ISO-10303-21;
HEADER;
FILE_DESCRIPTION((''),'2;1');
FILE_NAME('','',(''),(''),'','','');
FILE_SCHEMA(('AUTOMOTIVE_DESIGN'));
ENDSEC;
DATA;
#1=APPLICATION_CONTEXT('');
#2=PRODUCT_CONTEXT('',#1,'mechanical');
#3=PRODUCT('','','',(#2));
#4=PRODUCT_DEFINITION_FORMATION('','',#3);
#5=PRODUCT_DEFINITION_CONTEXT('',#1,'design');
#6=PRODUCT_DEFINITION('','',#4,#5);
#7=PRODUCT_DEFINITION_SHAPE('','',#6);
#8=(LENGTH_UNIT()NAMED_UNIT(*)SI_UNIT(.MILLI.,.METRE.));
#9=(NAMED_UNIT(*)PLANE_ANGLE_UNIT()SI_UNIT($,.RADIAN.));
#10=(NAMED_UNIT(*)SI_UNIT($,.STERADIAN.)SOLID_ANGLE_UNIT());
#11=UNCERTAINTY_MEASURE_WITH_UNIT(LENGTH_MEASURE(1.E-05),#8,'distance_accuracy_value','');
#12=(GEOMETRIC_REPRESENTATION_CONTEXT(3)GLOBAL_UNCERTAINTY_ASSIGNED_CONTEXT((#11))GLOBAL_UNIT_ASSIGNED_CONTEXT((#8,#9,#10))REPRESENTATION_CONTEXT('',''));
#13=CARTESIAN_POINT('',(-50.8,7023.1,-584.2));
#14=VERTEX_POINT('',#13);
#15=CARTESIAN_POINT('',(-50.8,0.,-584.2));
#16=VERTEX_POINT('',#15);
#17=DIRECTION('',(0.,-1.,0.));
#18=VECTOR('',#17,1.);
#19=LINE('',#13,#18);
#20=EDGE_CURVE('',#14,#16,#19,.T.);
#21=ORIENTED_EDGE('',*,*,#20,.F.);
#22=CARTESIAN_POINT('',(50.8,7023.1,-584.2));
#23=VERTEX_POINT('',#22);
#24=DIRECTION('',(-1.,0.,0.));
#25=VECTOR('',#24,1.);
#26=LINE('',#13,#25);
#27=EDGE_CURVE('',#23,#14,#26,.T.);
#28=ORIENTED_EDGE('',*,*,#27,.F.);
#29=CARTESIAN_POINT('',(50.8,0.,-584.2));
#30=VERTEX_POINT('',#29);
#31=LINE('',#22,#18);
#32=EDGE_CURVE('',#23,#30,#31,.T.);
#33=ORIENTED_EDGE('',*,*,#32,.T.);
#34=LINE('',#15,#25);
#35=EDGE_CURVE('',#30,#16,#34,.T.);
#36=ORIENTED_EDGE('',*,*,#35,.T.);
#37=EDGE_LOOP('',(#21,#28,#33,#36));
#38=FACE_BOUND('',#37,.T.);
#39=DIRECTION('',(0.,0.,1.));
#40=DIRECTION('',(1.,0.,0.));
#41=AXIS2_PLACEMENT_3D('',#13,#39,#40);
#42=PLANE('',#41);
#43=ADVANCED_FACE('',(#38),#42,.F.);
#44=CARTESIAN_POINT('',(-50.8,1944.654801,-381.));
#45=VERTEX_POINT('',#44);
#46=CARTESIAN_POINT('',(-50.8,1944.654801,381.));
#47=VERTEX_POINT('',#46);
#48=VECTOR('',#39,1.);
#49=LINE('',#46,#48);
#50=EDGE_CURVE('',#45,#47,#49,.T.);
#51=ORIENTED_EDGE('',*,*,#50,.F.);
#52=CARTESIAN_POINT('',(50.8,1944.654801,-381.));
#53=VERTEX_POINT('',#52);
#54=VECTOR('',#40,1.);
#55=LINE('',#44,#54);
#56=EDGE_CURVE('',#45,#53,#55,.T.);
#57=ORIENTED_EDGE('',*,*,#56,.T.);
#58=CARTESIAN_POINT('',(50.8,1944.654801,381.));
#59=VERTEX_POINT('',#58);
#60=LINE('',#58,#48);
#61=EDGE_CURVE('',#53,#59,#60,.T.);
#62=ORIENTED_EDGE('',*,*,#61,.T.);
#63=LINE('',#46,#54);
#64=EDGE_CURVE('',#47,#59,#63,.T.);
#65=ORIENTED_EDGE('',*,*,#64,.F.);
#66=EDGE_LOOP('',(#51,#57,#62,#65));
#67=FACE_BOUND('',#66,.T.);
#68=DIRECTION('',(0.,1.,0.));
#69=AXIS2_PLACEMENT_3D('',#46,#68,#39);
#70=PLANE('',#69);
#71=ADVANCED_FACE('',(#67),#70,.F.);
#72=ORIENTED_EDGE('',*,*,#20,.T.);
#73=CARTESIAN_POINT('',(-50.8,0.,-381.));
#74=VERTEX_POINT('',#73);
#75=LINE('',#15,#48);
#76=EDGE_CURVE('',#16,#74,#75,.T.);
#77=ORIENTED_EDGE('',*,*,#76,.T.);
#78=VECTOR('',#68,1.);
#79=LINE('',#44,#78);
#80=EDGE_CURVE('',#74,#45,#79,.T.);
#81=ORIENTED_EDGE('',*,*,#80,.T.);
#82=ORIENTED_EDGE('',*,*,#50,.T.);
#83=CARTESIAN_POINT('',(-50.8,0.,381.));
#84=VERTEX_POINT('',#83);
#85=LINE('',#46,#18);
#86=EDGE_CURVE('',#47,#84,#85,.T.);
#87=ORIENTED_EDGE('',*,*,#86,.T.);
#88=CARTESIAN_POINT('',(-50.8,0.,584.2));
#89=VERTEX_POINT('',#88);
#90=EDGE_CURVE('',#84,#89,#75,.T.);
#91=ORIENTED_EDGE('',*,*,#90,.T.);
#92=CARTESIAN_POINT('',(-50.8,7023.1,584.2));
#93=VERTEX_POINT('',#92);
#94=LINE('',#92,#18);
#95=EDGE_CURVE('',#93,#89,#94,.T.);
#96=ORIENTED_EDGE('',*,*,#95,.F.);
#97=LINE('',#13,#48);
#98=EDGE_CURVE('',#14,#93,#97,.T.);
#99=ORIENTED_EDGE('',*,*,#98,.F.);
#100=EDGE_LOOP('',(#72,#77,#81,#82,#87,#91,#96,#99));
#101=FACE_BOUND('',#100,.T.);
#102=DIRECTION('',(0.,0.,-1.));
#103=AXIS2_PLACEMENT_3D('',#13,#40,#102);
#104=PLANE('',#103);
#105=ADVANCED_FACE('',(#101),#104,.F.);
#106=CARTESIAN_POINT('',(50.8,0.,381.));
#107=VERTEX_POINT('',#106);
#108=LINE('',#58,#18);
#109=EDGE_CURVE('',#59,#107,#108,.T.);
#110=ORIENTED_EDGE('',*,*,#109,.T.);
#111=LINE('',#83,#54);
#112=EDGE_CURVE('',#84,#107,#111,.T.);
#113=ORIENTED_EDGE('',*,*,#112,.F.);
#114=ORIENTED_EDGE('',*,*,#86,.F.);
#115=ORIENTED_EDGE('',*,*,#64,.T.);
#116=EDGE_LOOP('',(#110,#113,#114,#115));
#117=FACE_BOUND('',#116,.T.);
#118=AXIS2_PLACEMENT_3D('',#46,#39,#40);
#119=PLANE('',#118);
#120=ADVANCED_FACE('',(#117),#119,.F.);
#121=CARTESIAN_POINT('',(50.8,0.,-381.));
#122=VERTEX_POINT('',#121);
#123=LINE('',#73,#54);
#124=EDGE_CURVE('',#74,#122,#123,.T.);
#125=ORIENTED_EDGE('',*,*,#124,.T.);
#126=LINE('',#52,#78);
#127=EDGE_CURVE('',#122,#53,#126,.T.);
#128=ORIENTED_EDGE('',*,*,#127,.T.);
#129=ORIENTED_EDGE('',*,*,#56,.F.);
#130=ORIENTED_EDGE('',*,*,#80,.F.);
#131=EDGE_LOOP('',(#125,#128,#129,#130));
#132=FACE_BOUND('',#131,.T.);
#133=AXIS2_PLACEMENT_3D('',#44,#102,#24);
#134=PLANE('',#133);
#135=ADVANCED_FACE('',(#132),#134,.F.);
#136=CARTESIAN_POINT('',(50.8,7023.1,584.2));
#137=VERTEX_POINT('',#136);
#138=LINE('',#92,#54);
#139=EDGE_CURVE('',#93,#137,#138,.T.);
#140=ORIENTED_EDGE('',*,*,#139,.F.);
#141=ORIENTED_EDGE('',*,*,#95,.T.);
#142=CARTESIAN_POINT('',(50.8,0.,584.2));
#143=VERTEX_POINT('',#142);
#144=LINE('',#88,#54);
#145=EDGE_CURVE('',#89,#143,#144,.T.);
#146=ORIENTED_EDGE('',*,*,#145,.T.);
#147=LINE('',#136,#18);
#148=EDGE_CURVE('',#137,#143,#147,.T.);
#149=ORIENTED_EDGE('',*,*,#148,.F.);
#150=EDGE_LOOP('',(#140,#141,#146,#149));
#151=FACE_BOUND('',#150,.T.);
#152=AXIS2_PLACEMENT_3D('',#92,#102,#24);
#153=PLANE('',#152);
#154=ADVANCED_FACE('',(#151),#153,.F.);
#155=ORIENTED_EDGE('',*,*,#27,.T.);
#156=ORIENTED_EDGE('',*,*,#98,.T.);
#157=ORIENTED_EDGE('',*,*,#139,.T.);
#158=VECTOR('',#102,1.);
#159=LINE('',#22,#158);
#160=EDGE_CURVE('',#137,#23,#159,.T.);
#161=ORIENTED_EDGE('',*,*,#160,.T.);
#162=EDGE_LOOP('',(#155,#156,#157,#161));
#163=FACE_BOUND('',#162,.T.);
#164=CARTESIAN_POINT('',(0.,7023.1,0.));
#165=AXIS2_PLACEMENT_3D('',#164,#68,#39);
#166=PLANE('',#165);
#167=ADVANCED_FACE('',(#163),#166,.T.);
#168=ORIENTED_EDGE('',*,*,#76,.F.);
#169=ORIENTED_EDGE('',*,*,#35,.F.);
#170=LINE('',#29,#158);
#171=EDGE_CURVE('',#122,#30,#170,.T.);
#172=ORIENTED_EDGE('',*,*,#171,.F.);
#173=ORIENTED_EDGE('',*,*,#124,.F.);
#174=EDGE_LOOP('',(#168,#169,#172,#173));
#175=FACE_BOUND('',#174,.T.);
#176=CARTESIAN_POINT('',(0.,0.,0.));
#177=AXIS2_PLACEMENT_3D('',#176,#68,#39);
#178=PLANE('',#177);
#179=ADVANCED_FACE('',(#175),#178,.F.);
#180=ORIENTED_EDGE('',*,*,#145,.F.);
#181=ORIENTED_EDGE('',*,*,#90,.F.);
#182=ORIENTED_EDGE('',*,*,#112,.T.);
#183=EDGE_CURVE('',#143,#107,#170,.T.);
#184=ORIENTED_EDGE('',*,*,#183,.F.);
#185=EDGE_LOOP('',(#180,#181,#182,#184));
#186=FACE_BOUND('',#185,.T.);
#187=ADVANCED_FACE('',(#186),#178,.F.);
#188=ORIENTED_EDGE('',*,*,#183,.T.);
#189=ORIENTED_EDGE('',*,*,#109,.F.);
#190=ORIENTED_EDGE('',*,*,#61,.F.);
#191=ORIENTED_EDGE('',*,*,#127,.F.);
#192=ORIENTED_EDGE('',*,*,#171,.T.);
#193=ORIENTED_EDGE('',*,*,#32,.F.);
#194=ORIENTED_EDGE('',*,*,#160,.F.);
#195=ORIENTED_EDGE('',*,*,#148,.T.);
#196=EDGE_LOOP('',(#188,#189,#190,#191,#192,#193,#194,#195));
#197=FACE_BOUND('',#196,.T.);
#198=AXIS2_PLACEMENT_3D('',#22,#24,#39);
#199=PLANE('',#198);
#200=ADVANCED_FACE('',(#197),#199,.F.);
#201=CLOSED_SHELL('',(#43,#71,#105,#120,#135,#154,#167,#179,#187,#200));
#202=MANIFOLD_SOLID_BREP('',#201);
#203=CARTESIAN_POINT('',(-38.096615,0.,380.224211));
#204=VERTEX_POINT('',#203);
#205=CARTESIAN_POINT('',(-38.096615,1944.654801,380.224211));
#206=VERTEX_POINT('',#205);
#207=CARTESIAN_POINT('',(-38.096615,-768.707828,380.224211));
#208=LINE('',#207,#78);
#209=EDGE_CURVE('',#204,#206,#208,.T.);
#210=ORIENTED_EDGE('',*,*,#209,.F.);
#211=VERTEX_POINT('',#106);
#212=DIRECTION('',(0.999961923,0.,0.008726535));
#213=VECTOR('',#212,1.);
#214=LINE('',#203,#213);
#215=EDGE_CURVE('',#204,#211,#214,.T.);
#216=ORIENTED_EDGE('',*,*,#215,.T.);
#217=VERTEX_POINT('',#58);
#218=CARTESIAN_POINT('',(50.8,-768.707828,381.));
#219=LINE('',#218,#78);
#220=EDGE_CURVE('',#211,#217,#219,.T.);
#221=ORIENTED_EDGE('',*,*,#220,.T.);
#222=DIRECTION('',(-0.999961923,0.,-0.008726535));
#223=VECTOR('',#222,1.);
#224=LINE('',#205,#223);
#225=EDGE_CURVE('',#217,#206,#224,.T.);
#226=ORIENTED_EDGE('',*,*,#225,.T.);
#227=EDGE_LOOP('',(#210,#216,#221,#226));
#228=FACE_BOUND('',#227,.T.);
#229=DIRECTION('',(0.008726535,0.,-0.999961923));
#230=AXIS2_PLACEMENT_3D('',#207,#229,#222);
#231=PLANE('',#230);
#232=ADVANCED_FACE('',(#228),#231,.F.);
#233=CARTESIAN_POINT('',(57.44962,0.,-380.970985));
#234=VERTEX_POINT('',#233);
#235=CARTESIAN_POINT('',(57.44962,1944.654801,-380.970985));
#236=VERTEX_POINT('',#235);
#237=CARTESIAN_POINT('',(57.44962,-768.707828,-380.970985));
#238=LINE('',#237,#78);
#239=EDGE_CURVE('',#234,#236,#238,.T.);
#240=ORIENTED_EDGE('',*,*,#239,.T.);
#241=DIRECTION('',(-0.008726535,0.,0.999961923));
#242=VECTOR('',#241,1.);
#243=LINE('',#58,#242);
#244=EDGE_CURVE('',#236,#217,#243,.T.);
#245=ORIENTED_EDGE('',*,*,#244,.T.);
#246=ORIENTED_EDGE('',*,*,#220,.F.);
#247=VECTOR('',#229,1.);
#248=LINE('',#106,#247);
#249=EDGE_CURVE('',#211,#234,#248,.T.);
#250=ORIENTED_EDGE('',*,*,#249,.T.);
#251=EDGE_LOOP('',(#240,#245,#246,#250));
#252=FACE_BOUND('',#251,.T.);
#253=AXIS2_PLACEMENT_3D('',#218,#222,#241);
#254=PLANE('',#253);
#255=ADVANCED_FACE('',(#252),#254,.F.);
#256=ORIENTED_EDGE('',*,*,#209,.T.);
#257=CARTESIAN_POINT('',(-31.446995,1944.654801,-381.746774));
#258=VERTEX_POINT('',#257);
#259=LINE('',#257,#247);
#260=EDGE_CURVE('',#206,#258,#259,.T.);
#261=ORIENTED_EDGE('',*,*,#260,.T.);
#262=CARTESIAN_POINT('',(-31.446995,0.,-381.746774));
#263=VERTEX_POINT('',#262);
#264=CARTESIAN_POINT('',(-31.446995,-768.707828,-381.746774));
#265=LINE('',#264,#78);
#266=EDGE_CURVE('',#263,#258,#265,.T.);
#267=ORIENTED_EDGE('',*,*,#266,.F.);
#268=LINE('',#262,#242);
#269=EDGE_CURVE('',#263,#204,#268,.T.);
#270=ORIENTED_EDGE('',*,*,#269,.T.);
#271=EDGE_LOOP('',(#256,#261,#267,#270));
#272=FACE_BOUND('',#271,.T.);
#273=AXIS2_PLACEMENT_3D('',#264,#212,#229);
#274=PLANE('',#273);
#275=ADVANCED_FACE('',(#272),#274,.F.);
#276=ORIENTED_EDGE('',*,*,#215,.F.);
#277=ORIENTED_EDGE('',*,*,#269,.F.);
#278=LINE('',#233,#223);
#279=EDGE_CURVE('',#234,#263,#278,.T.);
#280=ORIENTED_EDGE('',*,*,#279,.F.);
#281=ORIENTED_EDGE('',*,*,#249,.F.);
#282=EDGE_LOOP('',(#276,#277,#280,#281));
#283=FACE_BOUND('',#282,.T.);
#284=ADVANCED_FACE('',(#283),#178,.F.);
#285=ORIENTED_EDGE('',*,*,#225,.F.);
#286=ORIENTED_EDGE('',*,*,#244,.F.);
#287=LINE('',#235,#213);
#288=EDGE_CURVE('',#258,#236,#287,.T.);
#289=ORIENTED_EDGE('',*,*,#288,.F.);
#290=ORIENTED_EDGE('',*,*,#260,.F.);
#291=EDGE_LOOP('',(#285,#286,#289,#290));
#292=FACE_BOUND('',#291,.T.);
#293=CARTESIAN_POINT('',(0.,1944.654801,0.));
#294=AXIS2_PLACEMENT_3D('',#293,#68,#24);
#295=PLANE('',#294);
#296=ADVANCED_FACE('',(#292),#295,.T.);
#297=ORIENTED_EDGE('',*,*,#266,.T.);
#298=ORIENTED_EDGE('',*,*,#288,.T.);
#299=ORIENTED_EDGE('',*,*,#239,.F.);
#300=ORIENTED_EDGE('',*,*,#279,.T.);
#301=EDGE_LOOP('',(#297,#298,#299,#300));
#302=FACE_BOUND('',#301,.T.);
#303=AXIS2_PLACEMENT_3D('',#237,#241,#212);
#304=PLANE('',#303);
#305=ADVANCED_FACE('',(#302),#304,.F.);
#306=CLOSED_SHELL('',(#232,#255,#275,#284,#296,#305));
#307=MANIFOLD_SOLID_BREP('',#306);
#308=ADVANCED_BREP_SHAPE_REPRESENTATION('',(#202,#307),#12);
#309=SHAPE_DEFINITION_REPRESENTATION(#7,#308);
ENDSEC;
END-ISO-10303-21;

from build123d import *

# Parameters (mm, degrees)
SKETCH1_W           = 101.6
SKETCH1_H           = 1168.4
BOSS_EXTRUDE1_DEPTH = 7023.1
SKETCH3_W           = 762
SKETCH3_H           = 1944.654801242
CUT_EXTRUDE2_DEPTH  = 7049.088096073
BOSS_EXTRUDE2_DEPTH = 1944.654801242


with BuildPart() as part:
    # Sketch1 → Boss-Extrude1 (new body)
    with BuildSketch(Plane(origin=(0, 0, 0), x_dir=(1, 0, 0), z_dir=(0, 1, 0))):
        Rectangle(SKETCH1_W, SKETCH1_H)
    extrude(amount=BOSS_EXTRUDE1_DEPTH)

    # Sketch3 → Cut-Extrude2 (cut, through all)
    with BuildSketch(Plane(origin=(50.8, 0, 0), x_dir=(0, 0, -1), z_dir=(1, 0, 0))):
        with Locations((0, 972.327400621)):
            Rectangle(SKETCH3_W, SKETCH3_H)
    extrude(amount=-CUT_EXTRUDE2_DEPTH, mode=Mode.SUBTRACT)


with BuildPart() as body_2:
    # Sketch8 → Boss-Extrude2 (new body)
    with BuildSketch(Plane.XZ.offset(-1944.654801242)):
        Polygon((50.8, 381), (57.44962005, -380.970985375), (-31.446994911, -381.746774381), (-38.09661496, 380.224210994), align=None)
    extrude(amount=BOSS_EXTRUDE2_DEPTH)


solid = Compound([part.part, body_2.part])
